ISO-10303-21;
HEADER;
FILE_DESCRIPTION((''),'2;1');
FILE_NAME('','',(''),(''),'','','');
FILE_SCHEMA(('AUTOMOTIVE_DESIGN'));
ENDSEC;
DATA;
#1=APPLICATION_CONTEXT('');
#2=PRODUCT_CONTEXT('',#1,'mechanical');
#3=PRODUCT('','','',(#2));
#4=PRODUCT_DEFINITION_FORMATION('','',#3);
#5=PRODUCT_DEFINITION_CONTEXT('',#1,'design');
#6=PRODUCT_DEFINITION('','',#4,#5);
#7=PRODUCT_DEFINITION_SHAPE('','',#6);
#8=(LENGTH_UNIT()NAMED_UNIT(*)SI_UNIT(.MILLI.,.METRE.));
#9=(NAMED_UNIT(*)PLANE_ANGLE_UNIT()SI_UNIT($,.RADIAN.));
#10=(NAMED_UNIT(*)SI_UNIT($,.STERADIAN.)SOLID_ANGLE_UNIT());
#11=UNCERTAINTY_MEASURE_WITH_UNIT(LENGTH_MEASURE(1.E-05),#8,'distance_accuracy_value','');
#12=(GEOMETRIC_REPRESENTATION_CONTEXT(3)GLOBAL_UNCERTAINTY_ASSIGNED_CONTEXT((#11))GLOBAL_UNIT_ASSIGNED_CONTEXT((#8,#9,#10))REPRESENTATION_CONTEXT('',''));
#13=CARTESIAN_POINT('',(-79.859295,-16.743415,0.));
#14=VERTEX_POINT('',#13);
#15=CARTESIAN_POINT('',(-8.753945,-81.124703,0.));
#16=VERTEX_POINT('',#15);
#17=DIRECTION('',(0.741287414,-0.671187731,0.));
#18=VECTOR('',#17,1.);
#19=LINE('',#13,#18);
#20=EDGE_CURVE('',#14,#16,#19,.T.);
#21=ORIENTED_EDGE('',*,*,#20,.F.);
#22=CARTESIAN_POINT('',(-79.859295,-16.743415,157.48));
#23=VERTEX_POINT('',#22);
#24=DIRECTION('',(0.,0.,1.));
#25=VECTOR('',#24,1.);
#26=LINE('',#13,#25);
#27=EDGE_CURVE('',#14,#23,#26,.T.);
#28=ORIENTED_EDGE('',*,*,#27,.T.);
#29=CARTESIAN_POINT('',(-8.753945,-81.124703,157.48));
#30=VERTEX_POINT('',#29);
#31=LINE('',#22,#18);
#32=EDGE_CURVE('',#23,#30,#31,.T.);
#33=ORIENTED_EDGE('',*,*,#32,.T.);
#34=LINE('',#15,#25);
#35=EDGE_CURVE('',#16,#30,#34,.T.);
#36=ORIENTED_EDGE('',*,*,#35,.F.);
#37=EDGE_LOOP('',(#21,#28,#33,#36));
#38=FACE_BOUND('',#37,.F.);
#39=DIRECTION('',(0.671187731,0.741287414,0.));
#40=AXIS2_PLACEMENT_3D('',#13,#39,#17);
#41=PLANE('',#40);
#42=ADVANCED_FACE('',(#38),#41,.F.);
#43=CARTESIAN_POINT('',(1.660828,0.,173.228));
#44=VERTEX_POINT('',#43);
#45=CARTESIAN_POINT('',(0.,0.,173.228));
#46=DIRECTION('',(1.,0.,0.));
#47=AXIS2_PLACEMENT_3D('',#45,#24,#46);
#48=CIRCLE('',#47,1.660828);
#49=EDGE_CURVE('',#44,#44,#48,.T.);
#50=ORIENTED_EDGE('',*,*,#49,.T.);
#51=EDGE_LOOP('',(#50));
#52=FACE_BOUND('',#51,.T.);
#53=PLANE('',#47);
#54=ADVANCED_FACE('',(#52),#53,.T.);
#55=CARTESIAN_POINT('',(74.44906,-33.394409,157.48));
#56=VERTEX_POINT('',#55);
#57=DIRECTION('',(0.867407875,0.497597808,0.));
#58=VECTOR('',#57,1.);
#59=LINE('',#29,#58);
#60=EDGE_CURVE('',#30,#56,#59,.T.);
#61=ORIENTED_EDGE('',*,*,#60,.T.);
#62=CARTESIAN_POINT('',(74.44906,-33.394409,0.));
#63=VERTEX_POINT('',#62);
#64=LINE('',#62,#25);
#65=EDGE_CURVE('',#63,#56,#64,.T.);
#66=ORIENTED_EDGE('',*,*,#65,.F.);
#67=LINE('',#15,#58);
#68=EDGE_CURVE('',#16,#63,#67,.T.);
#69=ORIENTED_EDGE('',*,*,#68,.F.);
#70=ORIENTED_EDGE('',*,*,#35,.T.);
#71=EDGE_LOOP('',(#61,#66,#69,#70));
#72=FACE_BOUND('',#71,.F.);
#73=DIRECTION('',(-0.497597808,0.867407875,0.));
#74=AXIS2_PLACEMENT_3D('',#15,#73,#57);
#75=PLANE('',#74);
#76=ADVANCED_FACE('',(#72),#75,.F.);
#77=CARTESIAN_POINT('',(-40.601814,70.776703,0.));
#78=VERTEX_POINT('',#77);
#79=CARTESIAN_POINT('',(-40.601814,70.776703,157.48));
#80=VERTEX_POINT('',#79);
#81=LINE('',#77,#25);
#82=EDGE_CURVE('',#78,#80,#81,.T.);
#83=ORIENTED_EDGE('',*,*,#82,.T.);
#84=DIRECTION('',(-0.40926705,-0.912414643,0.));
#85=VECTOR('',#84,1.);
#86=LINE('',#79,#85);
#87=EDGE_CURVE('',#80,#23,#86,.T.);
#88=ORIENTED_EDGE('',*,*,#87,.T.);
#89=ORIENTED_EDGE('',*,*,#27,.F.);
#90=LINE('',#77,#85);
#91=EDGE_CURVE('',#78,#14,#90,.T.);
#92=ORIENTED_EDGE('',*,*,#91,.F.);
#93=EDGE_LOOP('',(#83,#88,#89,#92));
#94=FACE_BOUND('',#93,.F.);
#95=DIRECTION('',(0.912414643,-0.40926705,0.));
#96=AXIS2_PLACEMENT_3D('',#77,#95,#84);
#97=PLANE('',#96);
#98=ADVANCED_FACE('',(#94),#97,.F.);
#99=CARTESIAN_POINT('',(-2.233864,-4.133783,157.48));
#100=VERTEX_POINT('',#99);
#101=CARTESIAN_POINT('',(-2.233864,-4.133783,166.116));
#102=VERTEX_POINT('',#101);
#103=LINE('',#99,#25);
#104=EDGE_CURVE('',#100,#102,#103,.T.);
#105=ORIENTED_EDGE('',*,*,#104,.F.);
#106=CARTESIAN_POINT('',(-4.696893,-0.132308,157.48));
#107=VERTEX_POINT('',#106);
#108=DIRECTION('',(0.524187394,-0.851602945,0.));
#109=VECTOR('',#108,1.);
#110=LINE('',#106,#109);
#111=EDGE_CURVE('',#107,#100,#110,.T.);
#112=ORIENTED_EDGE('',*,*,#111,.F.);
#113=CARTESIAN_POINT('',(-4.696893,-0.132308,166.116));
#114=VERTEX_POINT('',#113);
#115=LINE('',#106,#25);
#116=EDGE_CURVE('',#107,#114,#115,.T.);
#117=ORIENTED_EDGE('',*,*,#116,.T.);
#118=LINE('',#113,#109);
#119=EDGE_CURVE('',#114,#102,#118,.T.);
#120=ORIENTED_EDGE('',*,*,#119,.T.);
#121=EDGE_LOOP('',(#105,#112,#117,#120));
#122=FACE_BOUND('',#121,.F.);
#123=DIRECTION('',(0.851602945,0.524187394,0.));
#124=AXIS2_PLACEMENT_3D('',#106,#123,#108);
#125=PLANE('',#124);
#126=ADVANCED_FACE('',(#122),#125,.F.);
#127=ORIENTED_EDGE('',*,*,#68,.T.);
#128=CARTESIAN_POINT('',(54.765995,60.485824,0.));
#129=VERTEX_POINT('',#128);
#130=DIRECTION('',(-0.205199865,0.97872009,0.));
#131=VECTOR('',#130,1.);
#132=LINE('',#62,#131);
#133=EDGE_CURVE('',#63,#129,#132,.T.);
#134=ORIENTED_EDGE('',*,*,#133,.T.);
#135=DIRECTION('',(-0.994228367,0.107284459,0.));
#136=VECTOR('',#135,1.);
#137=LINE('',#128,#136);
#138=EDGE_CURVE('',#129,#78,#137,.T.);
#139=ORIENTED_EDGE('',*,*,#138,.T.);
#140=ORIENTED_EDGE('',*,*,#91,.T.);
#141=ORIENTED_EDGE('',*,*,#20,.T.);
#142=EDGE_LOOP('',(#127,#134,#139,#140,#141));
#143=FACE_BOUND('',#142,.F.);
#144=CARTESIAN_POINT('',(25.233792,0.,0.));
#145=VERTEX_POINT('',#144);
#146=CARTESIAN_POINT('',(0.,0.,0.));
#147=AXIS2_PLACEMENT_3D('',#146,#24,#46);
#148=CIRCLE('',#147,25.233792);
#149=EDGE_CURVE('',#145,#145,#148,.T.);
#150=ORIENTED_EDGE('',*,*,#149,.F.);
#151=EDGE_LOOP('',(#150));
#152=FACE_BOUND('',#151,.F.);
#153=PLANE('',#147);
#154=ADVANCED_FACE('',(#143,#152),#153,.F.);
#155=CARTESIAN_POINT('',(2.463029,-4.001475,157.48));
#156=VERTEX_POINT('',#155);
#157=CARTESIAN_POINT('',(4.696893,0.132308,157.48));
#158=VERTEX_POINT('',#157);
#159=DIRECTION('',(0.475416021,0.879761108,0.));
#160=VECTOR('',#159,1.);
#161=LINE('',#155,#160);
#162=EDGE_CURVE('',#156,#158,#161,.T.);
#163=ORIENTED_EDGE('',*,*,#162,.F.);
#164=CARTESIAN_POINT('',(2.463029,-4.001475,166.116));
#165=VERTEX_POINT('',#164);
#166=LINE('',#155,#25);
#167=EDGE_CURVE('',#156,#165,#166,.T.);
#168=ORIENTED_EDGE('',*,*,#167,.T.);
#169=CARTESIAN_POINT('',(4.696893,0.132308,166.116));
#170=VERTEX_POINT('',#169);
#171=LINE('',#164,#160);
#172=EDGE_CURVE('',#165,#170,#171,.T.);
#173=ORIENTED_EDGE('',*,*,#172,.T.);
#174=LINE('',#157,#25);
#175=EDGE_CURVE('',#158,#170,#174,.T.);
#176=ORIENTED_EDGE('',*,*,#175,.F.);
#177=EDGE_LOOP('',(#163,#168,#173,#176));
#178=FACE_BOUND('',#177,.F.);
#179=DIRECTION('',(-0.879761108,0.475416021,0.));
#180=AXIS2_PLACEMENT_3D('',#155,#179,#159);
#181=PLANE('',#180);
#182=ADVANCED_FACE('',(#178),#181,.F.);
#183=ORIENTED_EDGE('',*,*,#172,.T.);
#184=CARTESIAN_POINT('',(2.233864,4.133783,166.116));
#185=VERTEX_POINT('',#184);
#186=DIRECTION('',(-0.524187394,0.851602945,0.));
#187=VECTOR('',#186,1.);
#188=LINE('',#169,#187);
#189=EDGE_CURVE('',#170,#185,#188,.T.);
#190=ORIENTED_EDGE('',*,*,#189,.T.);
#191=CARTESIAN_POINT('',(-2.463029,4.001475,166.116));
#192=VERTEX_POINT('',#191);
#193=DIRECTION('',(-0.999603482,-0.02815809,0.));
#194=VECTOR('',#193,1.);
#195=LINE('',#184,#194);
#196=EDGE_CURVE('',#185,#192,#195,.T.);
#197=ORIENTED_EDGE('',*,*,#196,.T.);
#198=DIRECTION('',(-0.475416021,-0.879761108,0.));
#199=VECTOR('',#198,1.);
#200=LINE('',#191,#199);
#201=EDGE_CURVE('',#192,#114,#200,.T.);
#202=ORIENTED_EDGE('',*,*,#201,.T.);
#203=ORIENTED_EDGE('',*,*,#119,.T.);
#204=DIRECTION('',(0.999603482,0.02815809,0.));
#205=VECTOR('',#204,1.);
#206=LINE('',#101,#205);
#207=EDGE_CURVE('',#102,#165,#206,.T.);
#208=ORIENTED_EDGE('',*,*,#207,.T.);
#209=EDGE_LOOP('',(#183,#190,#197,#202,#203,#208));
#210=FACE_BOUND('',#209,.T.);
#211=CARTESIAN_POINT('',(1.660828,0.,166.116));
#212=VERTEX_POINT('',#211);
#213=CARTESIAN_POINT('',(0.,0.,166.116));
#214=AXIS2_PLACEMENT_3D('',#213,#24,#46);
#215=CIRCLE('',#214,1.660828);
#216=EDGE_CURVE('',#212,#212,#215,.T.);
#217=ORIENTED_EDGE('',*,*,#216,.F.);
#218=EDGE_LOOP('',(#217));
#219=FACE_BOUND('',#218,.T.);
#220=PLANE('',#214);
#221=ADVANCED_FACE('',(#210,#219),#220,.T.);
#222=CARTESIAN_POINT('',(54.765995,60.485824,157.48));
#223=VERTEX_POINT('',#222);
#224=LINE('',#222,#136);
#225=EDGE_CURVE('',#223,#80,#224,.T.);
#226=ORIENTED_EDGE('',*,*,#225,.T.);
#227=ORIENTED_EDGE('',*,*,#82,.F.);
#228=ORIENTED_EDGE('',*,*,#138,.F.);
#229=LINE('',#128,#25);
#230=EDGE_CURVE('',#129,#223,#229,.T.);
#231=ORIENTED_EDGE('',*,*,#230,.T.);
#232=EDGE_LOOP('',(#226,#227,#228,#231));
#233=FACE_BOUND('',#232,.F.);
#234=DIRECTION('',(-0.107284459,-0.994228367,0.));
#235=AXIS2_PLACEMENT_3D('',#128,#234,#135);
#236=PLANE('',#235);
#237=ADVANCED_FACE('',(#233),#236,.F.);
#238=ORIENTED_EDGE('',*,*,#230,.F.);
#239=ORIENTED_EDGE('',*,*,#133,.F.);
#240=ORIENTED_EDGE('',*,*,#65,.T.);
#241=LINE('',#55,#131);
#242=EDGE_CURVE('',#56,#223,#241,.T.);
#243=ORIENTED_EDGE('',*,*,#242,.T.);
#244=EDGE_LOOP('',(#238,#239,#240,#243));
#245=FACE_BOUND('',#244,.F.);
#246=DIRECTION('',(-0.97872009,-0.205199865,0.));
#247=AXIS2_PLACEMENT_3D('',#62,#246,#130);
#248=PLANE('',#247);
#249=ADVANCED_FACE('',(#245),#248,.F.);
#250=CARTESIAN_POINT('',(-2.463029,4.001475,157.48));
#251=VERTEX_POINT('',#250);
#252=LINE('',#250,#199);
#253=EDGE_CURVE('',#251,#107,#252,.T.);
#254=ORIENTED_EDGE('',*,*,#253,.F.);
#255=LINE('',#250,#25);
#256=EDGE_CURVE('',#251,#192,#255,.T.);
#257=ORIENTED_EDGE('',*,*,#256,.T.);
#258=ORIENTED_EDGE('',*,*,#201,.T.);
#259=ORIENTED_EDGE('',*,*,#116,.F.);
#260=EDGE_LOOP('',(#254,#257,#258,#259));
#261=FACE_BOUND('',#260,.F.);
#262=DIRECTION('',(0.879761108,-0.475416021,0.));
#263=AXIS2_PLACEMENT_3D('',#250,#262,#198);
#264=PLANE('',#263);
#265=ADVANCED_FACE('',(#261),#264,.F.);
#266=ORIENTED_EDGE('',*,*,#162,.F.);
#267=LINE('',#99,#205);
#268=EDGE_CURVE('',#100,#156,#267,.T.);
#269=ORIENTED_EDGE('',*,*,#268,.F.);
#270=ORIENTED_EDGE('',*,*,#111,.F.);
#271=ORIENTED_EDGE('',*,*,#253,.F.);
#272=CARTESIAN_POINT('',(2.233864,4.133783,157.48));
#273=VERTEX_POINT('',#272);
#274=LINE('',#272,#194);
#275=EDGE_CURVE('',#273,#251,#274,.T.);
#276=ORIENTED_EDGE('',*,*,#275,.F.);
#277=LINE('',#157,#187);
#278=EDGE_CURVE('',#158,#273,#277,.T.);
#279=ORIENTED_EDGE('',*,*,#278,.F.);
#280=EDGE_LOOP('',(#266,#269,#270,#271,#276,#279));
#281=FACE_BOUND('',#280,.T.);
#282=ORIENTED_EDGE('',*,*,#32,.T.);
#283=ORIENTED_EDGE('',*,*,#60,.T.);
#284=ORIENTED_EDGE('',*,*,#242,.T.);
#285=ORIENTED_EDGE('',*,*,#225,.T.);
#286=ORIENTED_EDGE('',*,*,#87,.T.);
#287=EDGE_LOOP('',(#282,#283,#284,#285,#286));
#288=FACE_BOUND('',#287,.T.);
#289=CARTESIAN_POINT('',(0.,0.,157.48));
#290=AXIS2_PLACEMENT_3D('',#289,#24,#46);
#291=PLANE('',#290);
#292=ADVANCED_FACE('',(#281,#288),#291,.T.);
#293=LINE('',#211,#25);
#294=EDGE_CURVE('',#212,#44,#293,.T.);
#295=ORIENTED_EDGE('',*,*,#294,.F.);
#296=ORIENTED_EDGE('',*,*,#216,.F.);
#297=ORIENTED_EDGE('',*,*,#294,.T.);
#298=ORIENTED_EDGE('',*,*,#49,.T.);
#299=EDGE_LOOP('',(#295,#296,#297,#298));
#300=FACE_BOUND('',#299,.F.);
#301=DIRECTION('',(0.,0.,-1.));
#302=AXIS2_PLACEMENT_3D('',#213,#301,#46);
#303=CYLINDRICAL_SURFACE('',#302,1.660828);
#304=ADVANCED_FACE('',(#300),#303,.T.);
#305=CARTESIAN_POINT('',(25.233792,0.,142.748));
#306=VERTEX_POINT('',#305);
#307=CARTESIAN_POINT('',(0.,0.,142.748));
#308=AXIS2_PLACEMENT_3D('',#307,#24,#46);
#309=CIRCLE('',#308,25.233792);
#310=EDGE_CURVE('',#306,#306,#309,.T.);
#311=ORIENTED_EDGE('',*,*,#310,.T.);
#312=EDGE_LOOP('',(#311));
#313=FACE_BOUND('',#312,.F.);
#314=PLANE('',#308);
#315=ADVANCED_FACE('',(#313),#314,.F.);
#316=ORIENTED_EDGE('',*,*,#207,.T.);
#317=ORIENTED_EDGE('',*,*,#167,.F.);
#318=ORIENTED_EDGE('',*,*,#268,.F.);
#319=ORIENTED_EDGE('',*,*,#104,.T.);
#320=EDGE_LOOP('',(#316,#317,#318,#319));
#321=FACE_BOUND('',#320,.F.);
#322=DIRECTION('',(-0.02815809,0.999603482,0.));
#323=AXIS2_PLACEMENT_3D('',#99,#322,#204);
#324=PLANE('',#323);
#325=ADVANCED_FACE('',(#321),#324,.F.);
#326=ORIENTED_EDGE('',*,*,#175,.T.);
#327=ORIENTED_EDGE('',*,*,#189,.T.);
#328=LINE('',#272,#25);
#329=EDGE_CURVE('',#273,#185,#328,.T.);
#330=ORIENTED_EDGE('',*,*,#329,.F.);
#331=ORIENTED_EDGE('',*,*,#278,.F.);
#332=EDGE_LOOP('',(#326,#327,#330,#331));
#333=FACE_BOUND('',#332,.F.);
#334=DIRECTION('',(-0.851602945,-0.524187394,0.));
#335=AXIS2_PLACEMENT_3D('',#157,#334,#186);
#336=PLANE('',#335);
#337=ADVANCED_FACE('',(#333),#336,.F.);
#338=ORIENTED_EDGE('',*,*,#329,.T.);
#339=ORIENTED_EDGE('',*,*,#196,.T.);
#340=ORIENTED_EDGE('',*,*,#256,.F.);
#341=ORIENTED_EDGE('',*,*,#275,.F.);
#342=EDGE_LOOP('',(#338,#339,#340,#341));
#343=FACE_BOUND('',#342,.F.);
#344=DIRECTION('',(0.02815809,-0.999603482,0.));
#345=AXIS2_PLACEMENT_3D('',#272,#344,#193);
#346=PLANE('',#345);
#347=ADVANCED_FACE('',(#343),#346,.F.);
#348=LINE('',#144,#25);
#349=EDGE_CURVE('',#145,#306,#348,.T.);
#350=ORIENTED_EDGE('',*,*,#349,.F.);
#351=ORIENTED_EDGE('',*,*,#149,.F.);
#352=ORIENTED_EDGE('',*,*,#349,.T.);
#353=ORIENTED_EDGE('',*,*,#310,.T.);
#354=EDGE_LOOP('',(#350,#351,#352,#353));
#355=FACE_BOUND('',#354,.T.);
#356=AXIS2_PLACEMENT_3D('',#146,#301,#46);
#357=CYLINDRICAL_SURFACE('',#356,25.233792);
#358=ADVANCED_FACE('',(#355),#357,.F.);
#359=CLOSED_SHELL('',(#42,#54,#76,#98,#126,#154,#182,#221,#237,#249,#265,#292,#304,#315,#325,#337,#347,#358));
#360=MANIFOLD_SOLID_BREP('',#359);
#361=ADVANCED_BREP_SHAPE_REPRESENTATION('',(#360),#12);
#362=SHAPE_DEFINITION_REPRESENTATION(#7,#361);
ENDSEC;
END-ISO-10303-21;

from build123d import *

# Parameters (mm, degrees)
F1_DEPTH = 157.48
F2_R     = 25.233792
F3_DEPTH = 142.748
F5_DEPTH = 8.636
F6_R     = 1.660828
F7_DEPTH = 7.112


with BuildPart() as f1:
    # F0 (on Top) → F1 (new body)
    with BuildSketch(Plane.XY):
        Polygon((-8.753945, -81.124703), (74.44906, -33.394409), (54.765995, 60.485824), (-40.601814, 70.776703), (-79.859295, -16.743415), align=None)
    extrude(amount=F1_DEPTH)

    # F2 (on Top) → F3 (cut)
    with BuildSketch(Plane.XY):
        Circle(F2_R)
    extrude(amount=F3_DEPTH, mode=Mode.SUBTRACT)

    # F4 (on face) → F5 (join)
    with BuildSketch(Plane.XY.offset(157.48)):
        Polygon((2.463029, -4.001475), (4.696893, 0.132308), (2.233864, 4.133783), (-2.463029, 4.001475), (-4.696893, -0.132308), (-2.233864, -4.133783), align=None)
    extrude(amount=F5_DEPTH)

    # F6 (on face) → F7 (join)
    with BuildSketch(Plane.XY.offset(166.116)):
        Circle(F6_R)
    extrude(amount=F7_DEPTH)


solid = f1.part
